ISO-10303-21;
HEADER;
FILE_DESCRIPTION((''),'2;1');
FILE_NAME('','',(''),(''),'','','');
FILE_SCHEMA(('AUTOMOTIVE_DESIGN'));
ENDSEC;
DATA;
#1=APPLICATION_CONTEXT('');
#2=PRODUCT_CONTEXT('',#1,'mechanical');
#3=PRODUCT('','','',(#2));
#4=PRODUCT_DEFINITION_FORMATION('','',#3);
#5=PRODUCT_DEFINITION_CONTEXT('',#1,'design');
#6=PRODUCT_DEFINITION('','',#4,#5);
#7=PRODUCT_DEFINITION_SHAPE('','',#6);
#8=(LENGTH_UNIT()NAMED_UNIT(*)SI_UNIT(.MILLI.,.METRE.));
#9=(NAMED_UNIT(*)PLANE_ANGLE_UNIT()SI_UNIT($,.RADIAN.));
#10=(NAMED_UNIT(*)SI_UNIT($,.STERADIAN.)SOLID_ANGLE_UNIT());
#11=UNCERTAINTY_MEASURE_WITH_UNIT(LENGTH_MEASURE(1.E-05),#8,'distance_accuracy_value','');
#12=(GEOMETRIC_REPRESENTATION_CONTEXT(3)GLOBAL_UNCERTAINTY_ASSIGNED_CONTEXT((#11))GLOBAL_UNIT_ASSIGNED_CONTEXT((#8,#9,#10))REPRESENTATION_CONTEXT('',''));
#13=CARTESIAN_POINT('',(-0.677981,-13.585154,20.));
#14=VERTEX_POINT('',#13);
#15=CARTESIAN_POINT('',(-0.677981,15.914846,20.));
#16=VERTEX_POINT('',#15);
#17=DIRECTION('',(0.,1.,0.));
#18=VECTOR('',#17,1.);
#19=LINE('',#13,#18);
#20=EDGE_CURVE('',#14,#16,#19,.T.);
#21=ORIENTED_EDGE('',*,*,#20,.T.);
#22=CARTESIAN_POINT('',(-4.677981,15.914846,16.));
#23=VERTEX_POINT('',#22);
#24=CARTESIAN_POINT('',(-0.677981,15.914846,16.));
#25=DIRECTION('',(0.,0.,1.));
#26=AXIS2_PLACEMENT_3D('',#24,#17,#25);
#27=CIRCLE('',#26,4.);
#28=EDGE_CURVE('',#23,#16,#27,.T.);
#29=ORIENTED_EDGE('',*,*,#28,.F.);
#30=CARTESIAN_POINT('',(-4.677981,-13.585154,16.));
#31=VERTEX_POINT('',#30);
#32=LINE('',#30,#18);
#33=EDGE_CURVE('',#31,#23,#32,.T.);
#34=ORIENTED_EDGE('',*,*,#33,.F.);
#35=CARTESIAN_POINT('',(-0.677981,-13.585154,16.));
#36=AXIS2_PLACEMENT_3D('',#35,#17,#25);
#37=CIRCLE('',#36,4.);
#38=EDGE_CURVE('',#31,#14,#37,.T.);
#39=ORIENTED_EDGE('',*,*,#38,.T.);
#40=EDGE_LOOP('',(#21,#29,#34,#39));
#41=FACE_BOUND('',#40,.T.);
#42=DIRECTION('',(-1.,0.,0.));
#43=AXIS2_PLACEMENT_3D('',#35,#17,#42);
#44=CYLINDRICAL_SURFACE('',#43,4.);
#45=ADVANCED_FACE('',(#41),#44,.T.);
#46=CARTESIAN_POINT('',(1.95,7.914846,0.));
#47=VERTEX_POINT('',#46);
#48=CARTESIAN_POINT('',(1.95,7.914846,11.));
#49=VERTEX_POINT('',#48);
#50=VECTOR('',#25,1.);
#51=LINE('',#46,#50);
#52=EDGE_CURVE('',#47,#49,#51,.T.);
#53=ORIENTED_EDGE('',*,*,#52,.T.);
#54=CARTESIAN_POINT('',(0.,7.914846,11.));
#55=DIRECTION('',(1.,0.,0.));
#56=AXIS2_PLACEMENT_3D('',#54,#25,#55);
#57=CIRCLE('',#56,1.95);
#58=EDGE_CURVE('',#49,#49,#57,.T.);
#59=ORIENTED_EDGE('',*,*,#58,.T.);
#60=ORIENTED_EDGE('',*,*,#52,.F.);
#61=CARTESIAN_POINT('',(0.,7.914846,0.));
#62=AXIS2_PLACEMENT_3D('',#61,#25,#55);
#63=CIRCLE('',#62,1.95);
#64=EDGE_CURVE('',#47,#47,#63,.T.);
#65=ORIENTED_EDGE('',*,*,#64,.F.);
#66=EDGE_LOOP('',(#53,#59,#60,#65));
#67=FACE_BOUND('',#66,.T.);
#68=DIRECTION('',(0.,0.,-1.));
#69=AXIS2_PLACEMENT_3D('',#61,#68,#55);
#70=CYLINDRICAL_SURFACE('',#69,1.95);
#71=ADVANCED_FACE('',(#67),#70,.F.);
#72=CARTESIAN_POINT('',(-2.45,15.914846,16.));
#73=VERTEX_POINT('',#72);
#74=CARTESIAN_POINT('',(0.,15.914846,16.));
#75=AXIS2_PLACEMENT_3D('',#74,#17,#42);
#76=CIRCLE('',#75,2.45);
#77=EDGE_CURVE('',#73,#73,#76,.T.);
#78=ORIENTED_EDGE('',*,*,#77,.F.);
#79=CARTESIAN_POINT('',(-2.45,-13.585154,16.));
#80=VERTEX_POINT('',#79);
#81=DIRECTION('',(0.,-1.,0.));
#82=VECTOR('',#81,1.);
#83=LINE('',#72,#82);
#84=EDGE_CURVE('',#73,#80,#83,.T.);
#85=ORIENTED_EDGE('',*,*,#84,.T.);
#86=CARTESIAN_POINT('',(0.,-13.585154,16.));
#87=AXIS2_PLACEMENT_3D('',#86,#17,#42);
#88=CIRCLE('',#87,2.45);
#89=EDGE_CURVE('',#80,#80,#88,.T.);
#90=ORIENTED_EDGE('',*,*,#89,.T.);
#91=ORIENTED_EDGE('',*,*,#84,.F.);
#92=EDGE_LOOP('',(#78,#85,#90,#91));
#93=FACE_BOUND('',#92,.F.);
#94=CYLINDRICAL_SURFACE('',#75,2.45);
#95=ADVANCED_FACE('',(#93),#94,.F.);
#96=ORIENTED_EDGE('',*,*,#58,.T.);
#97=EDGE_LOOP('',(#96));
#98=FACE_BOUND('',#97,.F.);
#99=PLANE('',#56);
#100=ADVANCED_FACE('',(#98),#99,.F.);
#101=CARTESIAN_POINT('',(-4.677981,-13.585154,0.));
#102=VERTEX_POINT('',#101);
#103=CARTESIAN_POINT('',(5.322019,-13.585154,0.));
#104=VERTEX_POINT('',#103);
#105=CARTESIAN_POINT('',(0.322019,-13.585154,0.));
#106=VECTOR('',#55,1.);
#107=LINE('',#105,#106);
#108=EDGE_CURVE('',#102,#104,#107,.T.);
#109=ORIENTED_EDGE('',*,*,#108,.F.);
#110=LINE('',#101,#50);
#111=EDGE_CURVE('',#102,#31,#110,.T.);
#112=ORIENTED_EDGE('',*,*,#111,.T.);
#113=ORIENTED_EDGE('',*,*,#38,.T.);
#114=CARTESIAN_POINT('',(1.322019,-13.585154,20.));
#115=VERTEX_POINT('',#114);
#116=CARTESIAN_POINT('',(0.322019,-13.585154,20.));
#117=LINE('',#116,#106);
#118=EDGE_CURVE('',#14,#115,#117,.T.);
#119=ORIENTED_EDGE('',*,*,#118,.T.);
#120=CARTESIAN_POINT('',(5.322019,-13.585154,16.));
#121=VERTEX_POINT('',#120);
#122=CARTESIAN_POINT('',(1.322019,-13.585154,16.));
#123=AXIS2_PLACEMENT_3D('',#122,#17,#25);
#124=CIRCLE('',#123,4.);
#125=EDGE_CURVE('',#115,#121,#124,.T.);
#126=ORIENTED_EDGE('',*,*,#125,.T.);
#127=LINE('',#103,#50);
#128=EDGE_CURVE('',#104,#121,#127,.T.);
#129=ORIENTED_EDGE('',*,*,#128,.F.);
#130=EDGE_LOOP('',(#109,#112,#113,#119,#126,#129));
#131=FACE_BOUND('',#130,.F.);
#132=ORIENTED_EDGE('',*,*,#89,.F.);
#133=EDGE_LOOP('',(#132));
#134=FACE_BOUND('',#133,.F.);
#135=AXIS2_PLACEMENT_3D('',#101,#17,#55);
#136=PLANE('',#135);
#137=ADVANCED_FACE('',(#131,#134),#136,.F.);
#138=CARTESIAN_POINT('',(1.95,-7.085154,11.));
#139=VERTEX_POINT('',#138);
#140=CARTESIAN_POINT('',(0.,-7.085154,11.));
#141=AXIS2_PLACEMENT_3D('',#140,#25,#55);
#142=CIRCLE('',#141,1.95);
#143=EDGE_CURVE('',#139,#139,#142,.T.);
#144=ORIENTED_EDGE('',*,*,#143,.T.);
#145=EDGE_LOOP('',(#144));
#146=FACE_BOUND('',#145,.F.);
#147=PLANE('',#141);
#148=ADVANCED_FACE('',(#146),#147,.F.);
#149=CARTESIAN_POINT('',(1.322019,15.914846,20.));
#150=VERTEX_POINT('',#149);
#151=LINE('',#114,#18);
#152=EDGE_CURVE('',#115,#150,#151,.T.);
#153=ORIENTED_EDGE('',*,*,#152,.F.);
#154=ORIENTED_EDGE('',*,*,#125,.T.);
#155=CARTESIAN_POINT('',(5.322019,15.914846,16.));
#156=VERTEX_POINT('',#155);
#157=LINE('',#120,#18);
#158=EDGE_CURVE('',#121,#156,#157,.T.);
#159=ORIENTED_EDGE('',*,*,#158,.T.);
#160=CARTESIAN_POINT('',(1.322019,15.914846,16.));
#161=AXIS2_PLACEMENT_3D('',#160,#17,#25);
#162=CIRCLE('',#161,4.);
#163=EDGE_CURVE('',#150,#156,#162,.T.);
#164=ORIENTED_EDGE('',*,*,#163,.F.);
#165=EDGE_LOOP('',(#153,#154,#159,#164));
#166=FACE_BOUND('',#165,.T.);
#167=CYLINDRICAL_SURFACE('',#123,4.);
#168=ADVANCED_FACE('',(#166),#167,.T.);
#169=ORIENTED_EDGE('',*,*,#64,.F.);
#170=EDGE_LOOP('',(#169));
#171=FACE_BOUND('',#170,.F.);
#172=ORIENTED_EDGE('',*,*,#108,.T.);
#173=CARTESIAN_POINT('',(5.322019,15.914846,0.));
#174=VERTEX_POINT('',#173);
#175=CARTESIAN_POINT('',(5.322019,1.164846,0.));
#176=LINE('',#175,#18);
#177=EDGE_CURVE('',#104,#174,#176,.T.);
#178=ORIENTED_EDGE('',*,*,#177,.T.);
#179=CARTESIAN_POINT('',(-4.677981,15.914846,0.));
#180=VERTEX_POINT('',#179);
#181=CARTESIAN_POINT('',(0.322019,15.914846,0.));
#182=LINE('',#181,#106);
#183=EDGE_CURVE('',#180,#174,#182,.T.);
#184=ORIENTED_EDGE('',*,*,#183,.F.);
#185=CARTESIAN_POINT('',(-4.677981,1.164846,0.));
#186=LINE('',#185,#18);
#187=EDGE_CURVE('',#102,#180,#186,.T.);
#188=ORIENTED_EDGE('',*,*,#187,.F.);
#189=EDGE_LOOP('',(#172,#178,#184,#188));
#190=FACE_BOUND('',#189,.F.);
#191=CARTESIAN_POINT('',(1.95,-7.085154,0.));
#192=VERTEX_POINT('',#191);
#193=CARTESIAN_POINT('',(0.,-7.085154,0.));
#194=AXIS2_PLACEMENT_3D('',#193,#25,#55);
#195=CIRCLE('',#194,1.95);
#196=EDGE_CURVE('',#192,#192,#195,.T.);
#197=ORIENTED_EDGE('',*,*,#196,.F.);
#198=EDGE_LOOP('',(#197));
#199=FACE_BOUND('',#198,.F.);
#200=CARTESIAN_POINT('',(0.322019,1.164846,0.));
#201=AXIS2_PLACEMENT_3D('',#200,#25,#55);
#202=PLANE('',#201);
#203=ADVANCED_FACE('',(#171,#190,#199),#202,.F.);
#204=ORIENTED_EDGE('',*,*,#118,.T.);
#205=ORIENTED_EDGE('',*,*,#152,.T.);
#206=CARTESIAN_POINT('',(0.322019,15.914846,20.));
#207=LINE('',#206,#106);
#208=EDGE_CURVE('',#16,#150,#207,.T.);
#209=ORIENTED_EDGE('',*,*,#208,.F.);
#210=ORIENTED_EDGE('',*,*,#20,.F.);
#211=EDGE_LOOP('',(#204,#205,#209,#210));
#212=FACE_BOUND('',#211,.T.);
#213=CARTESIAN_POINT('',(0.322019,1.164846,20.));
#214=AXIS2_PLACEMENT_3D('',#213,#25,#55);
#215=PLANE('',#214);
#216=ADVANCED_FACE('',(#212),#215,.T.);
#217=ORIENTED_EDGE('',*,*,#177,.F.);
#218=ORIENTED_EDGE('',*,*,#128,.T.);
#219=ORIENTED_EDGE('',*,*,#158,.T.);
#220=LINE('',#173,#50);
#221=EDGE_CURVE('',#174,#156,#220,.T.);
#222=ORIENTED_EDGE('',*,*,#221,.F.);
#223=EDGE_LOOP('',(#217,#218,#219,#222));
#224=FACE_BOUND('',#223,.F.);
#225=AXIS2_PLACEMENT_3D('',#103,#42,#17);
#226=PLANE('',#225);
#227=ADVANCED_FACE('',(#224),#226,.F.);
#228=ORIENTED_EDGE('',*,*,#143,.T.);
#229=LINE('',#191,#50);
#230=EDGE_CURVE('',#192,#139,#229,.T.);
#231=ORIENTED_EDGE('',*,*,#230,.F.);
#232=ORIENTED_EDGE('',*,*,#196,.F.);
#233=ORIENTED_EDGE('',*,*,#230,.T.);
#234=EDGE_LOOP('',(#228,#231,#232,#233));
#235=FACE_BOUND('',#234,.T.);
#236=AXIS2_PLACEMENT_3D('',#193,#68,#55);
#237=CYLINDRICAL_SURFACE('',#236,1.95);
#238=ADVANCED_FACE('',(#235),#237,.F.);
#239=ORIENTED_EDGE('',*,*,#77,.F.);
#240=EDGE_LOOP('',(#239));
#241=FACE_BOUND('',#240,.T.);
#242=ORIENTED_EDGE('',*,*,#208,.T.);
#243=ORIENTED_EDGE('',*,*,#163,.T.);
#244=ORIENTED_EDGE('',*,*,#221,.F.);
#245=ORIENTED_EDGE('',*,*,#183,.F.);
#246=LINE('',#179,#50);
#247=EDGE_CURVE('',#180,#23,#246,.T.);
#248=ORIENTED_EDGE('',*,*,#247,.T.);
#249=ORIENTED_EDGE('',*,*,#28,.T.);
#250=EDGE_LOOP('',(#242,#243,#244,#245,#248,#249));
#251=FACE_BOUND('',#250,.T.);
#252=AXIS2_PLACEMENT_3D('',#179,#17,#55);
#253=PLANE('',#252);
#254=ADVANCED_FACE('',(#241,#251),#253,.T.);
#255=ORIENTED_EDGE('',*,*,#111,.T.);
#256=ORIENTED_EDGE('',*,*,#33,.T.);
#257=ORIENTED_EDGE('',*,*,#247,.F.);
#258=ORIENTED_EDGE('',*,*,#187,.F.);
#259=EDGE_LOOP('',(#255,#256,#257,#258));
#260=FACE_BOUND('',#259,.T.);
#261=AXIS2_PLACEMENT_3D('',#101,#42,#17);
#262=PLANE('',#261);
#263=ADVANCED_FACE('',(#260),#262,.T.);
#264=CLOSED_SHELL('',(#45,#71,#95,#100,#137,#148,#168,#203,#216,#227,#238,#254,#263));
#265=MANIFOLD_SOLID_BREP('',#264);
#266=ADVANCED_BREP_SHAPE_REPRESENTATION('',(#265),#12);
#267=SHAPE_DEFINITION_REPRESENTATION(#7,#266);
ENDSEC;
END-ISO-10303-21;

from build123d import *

# Parameters (mm, degrees)
SKETCH1_W      = 10
SKETCH1_H      = 29.5
EXTRUDE1_DEPTH = 20
SKETCH2_R      = 2.45
EXTRUDE2_DEPTH = 30.5
SKETCH4_R      = 1.95
EXTRUDE3_DEPTH = 11
FILLET1_R      = 4


with BuildPart() as part:
    # Sketch1 → Extrude1 (new body)
    with BuildSketch(Plane.XY):
        with Locations((0.322019203, 1.164845717)):
            Rectangle(SKETCH1_W, SKETCH1_H)
    extrude(amount=EXTRUDE1_DEPTH)

    # Sketch2 → Extrude2 (cut, through all)
    with BuildSketch(Plane(origin=(0, 15.914845717, 0), x_dir=(-1, 0, 0), z_dir=(0, 1, 0))):
        with Locations((0, 16)):
            Circle(SKETCH2_R)
    extrude(amount=-EXTRUDE2_DEPTH, mode=Mode.SUBTRACT)

    # Sketch4 → Extrude3 (cut)
    with BuildSketch(Plane.XY):
        with Locations((0, 7.914845717)):
            Circle(SKETCH4_R)
        with Locations((0, -7.085154283)):
            Circle(SKETCH4_R)
    extrude(amount=EXTRUDE3_DEPTH, mode=Mode.SUBTRACT)

    # Fillet1
    fillet1_edges = [part.edges().sort_by_distance(p)[0] for p in [
        (5.322019203, 1.164845717, 20),
        (-4.677980797, 1.164845717, 20),
    ]]
    fillet(fillet1_edges, radius=FILLET1_R)


solid = part.part
